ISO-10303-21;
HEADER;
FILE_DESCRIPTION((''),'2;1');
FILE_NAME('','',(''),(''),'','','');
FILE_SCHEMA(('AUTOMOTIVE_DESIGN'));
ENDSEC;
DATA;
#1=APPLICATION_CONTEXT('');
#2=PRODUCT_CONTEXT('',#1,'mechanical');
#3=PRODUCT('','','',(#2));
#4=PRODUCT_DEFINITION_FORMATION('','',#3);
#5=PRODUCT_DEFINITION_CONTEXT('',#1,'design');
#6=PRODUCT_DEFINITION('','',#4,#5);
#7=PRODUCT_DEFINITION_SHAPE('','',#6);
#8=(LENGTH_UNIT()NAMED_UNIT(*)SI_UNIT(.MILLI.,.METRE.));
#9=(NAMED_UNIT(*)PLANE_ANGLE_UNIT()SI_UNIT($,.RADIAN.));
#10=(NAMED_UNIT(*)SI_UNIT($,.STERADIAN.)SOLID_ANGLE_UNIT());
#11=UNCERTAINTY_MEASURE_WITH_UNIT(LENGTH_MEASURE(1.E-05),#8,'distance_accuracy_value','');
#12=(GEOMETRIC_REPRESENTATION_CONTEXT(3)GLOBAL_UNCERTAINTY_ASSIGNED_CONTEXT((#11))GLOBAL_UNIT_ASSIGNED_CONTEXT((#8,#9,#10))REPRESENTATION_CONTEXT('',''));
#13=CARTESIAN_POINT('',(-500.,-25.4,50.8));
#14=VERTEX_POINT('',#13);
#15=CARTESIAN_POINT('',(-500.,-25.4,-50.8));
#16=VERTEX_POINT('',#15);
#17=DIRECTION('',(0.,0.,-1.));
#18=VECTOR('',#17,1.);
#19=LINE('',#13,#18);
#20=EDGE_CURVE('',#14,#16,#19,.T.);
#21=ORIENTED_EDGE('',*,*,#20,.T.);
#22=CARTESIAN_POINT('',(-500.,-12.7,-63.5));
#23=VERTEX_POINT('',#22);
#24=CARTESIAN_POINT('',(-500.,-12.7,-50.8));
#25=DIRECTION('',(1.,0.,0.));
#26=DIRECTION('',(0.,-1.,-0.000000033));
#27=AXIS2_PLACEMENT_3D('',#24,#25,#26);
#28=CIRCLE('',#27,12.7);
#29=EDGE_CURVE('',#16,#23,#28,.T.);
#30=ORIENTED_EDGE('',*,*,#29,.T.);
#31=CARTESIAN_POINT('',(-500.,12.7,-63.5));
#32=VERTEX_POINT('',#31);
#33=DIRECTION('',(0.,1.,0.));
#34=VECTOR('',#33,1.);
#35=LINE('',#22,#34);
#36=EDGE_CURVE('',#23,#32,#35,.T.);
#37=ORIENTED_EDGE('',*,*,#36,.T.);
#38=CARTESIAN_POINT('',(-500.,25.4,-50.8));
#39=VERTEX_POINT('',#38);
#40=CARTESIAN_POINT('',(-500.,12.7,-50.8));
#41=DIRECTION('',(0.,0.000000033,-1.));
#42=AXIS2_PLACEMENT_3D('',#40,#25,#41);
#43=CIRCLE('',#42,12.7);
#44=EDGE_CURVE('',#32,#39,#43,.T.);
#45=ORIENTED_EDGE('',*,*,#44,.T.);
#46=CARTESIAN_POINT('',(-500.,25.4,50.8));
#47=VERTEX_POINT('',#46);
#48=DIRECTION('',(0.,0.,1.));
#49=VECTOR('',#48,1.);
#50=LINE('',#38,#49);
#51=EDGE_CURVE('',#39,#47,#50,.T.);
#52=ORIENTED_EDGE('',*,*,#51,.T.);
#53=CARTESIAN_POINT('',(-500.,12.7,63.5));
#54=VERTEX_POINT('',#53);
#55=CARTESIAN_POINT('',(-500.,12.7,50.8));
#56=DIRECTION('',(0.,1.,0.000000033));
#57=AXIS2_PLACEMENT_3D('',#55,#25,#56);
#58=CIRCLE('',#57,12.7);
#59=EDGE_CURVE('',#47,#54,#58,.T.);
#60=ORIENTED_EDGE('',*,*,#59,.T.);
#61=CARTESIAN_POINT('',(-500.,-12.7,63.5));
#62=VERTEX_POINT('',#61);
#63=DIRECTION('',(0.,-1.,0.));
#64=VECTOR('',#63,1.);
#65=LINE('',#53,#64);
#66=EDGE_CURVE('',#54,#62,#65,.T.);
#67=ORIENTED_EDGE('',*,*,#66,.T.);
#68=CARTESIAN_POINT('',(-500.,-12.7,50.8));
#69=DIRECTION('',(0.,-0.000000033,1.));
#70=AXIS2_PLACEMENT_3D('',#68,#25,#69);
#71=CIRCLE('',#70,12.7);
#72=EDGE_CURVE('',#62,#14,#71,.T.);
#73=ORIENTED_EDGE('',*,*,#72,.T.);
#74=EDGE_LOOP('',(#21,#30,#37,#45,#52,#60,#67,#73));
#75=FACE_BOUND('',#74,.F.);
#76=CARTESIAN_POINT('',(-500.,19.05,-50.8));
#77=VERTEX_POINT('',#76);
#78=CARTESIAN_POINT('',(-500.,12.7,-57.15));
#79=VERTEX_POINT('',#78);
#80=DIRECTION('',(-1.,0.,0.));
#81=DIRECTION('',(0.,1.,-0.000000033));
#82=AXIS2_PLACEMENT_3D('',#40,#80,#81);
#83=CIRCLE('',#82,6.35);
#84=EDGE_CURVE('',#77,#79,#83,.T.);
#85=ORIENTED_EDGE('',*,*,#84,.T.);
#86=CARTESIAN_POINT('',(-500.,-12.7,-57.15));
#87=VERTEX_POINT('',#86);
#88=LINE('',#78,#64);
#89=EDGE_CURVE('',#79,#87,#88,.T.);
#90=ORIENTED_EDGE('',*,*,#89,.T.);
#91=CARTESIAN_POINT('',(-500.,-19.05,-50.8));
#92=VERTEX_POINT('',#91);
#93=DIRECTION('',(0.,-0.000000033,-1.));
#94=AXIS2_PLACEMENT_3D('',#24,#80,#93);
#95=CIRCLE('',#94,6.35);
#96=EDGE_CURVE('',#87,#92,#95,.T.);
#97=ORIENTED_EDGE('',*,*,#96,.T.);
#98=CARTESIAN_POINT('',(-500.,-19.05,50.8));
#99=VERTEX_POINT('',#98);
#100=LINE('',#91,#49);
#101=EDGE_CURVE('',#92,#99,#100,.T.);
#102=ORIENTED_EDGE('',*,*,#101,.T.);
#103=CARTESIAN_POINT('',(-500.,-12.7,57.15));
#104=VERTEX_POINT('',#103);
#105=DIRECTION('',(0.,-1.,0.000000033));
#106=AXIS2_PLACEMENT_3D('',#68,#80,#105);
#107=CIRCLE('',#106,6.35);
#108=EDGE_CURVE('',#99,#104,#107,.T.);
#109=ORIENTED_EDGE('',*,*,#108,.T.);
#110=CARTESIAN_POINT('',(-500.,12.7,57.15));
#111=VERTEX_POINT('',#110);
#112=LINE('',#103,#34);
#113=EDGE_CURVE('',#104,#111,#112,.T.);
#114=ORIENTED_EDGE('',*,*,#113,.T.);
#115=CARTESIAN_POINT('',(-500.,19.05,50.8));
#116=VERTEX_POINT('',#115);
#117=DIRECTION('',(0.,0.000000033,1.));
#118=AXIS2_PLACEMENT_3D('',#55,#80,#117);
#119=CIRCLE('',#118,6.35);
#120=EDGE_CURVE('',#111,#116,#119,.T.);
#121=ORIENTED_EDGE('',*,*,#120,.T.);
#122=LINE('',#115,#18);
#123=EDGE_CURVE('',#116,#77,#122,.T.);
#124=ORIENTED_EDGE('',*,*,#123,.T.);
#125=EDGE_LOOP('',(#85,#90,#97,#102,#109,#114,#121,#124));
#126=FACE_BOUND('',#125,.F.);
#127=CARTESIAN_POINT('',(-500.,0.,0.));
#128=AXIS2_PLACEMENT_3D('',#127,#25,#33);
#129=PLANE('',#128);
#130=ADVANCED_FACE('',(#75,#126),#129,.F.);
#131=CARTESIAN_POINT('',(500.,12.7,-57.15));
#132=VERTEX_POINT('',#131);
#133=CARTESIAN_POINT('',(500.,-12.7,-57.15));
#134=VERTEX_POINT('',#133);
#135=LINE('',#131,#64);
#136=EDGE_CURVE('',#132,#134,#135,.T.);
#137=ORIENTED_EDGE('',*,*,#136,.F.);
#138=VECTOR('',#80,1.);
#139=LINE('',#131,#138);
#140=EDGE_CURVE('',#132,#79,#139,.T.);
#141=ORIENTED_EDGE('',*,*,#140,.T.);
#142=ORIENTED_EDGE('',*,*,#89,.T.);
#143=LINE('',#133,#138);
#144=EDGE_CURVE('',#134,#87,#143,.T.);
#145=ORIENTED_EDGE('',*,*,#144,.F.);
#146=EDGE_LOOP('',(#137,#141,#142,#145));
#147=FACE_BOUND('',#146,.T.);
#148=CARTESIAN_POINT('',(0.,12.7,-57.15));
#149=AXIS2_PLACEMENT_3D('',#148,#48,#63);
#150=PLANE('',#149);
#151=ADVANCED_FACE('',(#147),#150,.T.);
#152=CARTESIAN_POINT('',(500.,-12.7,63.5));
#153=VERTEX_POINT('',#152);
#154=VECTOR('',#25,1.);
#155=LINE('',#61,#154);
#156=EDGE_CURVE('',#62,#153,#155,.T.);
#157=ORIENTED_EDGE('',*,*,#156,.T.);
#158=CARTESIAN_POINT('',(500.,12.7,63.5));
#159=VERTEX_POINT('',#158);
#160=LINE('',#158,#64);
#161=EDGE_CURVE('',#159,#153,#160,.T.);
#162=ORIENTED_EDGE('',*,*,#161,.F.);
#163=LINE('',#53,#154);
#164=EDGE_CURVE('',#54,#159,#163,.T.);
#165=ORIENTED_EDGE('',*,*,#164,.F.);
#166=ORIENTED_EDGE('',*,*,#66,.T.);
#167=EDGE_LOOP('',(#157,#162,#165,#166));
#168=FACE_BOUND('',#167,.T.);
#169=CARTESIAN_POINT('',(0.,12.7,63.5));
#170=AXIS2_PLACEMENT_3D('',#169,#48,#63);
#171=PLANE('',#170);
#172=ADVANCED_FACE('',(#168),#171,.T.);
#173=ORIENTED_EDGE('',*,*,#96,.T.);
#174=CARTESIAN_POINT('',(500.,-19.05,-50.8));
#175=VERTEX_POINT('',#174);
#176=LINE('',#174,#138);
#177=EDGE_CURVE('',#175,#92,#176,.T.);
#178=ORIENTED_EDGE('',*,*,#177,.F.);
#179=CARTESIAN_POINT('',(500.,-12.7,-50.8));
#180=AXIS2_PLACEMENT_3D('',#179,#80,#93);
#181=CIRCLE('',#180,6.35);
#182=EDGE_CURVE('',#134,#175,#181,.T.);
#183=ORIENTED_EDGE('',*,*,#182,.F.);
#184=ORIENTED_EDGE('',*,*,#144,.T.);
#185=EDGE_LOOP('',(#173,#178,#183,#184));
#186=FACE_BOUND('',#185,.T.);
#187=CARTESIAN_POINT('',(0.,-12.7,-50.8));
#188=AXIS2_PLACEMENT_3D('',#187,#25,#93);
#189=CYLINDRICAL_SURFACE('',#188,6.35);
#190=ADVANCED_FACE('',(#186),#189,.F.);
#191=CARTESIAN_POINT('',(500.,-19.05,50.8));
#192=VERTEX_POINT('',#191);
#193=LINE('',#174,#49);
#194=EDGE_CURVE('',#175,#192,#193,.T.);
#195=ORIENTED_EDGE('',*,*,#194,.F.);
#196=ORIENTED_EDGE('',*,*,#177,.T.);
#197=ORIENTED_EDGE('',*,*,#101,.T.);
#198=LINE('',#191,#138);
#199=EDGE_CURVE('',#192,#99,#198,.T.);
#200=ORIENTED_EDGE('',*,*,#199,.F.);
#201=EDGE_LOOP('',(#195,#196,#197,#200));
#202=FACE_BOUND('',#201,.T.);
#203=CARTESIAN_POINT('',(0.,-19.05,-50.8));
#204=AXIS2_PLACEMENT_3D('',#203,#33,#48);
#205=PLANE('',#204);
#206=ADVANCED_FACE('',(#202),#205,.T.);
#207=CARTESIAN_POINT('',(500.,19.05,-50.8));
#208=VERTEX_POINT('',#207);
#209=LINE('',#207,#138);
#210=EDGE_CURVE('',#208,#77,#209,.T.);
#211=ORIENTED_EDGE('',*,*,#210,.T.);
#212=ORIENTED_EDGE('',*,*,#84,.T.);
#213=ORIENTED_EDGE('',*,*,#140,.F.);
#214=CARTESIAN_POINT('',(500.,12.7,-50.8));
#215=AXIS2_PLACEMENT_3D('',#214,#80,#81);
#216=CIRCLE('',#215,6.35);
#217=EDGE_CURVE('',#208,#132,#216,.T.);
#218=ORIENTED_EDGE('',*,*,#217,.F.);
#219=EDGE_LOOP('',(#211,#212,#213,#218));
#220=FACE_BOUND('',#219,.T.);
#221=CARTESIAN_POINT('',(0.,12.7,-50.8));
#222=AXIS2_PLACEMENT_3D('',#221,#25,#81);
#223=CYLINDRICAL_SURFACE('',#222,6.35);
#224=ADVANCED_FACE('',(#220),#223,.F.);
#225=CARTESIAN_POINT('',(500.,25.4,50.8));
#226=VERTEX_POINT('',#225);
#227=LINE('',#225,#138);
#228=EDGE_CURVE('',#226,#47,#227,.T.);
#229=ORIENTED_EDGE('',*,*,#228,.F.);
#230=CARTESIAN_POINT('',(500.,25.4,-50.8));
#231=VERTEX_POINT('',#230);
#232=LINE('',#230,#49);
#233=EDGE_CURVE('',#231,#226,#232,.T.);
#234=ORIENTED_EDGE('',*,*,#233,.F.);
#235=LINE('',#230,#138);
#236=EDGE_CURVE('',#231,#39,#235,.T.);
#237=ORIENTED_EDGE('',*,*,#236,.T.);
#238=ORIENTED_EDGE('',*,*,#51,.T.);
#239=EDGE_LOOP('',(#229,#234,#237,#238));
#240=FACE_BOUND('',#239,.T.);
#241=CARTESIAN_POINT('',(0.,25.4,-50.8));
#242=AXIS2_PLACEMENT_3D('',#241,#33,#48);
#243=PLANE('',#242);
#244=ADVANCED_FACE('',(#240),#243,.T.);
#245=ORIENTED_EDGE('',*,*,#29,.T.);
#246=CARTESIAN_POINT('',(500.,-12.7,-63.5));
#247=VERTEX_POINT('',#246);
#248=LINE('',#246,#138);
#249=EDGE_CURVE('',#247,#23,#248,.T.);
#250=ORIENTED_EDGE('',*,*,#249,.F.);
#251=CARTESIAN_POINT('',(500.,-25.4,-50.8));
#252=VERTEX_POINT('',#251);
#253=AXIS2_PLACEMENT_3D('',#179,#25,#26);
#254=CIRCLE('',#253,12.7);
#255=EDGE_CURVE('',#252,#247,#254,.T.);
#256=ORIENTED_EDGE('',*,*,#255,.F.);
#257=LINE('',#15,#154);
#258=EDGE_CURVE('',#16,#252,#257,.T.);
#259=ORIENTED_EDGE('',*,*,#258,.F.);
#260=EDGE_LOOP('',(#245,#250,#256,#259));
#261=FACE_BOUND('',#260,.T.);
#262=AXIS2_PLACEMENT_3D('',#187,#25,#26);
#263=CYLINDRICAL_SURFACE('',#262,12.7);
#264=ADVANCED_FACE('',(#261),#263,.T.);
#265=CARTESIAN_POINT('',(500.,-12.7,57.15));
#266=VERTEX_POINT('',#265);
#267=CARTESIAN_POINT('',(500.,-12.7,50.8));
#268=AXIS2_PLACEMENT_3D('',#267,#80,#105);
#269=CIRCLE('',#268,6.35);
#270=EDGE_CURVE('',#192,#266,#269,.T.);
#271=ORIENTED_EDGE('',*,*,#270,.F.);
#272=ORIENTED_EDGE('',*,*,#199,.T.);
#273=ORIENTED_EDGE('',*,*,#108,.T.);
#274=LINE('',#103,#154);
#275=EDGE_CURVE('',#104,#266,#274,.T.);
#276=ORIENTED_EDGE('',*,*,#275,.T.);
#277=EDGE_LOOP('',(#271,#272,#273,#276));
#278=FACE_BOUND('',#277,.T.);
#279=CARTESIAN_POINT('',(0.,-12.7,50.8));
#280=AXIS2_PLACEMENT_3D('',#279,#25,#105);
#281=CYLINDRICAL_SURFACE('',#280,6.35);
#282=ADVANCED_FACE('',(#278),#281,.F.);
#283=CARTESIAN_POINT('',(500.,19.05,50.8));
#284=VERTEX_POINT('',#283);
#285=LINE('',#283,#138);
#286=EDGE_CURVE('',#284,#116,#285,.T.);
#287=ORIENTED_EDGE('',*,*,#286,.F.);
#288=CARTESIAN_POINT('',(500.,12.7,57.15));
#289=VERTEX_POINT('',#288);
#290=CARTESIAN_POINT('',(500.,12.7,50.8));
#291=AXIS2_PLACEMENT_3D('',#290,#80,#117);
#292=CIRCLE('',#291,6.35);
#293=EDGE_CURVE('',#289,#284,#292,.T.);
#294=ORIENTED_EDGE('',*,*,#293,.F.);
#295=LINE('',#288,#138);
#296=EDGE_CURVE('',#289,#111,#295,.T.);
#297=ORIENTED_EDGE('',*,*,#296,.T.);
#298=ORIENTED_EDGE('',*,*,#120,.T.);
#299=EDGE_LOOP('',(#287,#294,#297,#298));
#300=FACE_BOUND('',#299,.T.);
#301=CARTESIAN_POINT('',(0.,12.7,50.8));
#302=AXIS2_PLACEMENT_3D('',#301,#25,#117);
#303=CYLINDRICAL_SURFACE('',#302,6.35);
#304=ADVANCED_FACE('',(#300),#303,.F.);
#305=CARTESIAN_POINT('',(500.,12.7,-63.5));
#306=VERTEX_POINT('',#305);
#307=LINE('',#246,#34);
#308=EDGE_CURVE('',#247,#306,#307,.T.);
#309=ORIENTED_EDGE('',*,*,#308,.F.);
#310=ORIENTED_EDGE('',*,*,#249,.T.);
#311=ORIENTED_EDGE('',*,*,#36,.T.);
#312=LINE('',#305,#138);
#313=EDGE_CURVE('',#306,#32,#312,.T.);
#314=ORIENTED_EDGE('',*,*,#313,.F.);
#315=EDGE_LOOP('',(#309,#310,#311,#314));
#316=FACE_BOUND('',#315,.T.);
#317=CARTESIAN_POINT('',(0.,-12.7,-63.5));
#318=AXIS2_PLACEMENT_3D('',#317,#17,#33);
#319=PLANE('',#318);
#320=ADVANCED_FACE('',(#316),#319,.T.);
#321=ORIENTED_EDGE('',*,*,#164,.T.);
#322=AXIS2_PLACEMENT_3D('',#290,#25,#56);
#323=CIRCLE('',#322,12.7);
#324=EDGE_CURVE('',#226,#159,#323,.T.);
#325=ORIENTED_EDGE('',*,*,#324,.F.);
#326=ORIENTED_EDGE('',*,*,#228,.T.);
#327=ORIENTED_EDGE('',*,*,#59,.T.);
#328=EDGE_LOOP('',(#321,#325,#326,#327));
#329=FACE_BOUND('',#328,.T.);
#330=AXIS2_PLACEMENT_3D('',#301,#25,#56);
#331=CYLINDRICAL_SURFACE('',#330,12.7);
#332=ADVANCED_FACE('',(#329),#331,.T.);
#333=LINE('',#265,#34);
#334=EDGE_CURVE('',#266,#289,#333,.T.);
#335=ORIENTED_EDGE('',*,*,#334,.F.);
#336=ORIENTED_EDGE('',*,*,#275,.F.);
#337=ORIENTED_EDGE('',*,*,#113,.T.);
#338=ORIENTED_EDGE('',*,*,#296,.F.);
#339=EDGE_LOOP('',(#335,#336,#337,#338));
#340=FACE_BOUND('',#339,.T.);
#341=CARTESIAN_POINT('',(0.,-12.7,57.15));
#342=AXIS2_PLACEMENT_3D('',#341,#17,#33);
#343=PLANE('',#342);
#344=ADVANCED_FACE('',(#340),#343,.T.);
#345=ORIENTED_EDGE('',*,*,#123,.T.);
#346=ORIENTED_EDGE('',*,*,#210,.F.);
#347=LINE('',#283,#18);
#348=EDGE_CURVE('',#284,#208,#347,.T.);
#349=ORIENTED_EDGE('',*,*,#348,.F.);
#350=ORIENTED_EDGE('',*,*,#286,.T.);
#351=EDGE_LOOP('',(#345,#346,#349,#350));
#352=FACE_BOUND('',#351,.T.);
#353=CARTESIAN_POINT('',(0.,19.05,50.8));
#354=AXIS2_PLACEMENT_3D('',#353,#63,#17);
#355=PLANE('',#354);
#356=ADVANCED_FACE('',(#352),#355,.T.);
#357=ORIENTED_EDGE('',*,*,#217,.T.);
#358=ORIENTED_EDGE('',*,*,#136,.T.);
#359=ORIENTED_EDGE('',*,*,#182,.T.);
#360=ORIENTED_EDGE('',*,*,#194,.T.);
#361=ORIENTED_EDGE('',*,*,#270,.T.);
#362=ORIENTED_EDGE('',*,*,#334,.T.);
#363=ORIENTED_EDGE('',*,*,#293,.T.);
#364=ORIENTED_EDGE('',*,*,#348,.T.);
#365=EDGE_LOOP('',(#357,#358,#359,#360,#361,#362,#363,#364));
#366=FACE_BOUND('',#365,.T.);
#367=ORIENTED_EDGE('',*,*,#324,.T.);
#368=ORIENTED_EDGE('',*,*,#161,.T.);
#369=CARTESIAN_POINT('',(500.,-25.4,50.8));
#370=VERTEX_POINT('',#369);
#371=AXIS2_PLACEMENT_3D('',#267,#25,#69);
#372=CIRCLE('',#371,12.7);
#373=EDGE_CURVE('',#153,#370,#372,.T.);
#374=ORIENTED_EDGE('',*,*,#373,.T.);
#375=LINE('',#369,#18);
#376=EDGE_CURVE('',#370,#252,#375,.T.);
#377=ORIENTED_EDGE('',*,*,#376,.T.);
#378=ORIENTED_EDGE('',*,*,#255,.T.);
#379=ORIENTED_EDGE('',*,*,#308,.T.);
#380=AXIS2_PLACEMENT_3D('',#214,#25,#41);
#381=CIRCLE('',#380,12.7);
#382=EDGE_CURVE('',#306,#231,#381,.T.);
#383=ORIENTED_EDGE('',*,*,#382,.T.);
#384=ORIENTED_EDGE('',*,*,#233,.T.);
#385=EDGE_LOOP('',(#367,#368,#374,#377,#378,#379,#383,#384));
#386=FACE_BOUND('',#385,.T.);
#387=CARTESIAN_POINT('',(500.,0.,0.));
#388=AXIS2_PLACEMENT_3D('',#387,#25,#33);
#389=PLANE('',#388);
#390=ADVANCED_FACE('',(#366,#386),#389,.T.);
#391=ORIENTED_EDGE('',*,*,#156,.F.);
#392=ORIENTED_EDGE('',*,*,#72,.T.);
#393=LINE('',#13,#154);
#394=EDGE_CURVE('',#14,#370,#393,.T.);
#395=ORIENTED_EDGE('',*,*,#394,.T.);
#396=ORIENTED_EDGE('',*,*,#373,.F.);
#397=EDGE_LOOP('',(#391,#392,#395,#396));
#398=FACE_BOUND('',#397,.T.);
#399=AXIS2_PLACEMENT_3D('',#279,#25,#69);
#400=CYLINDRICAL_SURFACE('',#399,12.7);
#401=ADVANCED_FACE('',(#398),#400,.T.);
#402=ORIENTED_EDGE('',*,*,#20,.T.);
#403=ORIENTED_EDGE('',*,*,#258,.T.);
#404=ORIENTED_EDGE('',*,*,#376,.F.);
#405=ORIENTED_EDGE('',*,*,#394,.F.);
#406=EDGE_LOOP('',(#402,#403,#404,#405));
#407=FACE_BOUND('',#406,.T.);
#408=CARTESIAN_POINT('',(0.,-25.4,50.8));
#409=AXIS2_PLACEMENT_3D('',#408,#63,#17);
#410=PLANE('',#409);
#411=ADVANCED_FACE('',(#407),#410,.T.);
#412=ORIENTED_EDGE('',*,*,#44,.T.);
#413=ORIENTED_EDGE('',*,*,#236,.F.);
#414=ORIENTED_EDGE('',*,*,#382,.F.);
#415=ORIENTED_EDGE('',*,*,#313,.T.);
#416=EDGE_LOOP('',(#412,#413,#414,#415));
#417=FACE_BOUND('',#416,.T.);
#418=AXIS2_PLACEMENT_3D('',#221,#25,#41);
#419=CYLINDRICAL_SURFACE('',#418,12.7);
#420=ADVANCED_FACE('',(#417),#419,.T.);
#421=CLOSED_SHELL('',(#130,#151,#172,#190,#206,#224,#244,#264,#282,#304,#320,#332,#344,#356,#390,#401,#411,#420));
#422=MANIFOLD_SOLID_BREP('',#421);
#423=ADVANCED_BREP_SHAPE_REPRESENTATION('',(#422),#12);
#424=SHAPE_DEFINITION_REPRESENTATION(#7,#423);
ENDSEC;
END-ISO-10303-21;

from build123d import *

# Parameters (mm, degrees)
F3_DEPTH = 500


with BuildPart() as f3:
    # F2 (on Right) → F3 (new body, symmetric)
    with BuildSketch(Plane.YZ):
        with BuildLine():
            ThreePointArc((25.4, 50.8), (21.680256, 59.780256), (12.7, 63.5))
            Line((12.7, 63.5), (-12.7, 63.5))
            ThreePointArc((-12.7, 63.5), (-21.680256, 59.780256), (-25.4, 50.8))
            Line((-25.4, 50.8), (-25.4, -50.8))
            ThreePointArc((-25.4, -50.8), (-21.680256, -59.780256), (-12.7, -63.5))
            Line((-12.7, -63.5), (12.7, -63.5))
            ThreePointArc((12.7, -63.5), (21.680256, -59.780256), (25.4, -50.8))
            Line((25.4, -50.8), (25.4, 50.8))
        make_face()
        with BuildLine():
            Line((-12.7, 57.15), (12.7, 57.15))
            ThreePointArc((12.7, 57.15), (17.190128, 55.290128), (19.05, 50.8))
            Line((19.05, 50.8), (19.05, -50.8))
            ThreePointArc((19.05, -50.8), (17.190128, -55.290128), (12.7, -57.15))
            Line((12.7, -57.15), (-12.7, -57.15))
            ThreePointArc((-12.7, -57.15), (-17.190128, -55.290128), (-19.05, -50.8))
            Line((-19.05, -50.8), (-19.05, 50.8))
            ThreePointArc((-19.05, 50.8), (-17.190128, 55.290128), (-12.7, 57.15))
        make_face(mode=Mode.SUBTRACT)
    extrude(amount=F3_DEPTH, both=True)


with BuildPart() as f0_1:
    # F0: copy of F3
    add(f3.part)


solid = f3.part
